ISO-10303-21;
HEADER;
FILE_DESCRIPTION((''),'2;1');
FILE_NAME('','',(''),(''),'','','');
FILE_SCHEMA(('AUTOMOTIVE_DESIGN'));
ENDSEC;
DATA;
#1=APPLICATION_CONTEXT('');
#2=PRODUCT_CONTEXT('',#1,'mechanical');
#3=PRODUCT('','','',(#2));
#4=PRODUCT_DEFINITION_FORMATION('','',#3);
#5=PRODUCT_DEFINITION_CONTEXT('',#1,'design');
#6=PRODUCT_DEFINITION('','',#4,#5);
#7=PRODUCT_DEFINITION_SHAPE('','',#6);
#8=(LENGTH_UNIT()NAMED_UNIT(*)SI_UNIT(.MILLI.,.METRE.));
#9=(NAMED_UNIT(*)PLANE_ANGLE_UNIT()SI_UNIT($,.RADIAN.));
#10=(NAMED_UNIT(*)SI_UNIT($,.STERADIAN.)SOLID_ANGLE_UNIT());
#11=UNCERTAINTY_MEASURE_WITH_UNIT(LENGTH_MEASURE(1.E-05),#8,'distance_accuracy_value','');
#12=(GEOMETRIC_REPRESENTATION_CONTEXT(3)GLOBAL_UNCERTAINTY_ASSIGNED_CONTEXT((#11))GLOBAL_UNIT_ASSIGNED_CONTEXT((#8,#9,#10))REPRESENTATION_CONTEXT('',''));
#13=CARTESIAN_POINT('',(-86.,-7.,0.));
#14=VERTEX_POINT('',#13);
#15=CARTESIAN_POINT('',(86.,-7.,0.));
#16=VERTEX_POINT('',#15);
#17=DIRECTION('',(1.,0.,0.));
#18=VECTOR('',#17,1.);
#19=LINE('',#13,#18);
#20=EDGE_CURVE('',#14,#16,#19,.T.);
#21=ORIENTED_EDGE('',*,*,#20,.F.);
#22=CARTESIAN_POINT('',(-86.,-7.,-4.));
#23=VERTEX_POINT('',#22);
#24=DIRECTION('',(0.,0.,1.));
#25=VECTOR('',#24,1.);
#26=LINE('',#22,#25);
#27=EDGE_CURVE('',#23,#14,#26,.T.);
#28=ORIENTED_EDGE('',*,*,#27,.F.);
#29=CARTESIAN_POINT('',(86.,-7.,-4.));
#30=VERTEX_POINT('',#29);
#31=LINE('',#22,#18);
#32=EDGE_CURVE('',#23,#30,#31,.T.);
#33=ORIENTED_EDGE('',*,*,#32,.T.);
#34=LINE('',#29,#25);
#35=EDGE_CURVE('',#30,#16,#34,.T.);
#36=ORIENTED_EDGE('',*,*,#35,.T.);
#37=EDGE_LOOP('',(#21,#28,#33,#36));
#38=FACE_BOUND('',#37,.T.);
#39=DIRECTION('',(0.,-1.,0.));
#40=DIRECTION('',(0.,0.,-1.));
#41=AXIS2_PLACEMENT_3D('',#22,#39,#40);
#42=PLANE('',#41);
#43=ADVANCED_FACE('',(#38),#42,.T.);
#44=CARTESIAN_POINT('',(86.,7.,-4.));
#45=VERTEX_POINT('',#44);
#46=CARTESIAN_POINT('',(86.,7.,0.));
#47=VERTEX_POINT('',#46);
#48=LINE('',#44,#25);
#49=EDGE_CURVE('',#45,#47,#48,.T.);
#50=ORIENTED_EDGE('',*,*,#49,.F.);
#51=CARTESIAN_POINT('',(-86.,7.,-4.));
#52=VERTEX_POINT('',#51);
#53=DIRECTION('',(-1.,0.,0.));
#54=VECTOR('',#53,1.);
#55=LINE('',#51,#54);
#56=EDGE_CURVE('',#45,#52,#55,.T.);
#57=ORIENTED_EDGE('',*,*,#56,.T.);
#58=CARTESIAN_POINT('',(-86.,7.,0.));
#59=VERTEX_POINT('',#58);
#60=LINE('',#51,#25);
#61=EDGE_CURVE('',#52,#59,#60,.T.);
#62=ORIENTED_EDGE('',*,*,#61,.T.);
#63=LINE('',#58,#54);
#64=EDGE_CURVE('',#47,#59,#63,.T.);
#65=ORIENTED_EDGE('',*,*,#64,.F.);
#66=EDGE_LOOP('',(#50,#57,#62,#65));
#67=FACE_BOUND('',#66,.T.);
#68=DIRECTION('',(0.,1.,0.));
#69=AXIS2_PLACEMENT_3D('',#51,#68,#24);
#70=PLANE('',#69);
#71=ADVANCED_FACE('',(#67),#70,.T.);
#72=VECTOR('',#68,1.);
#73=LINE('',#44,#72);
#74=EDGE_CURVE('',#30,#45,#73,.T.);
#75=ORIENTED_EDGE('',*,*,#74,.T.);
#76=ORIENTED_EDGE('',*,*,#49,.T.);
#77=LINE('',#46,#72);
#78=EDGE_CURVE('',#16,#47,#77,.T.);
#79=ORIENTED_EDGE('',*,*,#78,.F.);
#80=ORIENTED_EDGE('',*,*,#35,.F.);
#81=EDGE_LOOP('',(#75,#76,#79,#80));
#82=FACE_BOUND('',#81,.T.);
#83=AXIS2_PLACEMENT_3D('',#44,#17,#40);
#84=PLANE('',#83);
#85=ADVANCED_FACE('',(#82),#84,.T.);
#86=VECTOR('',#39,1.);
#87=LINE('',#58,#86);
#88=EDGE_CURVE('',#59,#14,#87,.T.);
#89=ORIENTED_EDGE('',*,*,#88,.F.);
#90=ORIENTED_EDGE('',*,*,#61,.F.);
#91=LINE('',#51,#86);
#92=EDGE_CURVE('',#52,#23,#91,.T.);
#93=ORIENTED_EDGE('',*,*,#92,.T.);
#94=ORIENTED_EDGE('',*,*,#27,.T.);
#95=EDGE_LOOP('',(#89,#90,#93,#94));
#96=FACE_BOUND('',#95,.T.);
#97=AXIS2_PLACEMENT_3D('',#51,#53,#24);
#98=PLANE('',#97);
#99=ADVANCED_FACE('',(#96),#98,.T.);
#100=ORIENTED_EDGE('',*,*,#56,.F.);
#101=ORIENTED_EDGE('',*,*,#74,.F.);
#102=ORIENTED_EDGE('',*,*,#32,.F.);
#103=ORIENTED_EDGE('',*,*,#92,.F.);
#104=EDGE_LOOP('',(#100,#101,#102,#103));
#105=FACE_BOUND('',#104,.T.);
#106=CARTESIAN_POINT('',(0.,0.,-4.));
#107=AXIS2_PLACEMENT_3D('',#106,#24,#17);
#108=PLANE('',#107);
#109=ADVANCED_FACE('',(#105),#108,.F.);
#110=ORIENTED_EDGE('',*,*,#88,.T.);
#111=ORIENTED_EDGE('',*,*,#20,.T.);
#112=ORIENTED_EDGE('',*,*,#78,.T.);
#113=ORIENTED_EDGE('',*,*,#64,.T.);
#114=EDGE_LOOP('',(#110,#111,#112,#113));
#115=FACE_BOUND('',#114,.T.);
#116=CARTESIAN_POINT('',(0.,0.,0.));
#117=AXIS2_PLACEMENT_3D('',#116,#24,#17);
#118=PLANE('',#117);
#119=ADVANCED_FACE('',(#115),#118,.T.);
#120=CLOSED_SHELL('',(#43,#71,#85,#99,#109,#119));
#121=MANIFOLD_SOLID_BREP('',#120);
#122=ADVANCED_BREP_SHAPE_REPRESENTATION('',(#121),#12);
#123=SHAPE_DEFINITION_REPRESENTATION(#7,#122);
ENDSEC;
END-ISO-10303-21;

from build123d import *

# Parameters (mm, degrees)
SKETCH1_W           = 172
SKETCH1_H           = 14
BOSS_EXTRUDE1_DEPTH = 4


with BuildPart() as part:
    # Sketch1 → Boss-Extrude1 (new body)
    with BuildSketch(Plane.XY):
        Rectangle(SKETCH1_W, SKETCH1_H)
    extrude(amount=-BOSS_EXTRUDE1_DEPTH)


solid = part.part
